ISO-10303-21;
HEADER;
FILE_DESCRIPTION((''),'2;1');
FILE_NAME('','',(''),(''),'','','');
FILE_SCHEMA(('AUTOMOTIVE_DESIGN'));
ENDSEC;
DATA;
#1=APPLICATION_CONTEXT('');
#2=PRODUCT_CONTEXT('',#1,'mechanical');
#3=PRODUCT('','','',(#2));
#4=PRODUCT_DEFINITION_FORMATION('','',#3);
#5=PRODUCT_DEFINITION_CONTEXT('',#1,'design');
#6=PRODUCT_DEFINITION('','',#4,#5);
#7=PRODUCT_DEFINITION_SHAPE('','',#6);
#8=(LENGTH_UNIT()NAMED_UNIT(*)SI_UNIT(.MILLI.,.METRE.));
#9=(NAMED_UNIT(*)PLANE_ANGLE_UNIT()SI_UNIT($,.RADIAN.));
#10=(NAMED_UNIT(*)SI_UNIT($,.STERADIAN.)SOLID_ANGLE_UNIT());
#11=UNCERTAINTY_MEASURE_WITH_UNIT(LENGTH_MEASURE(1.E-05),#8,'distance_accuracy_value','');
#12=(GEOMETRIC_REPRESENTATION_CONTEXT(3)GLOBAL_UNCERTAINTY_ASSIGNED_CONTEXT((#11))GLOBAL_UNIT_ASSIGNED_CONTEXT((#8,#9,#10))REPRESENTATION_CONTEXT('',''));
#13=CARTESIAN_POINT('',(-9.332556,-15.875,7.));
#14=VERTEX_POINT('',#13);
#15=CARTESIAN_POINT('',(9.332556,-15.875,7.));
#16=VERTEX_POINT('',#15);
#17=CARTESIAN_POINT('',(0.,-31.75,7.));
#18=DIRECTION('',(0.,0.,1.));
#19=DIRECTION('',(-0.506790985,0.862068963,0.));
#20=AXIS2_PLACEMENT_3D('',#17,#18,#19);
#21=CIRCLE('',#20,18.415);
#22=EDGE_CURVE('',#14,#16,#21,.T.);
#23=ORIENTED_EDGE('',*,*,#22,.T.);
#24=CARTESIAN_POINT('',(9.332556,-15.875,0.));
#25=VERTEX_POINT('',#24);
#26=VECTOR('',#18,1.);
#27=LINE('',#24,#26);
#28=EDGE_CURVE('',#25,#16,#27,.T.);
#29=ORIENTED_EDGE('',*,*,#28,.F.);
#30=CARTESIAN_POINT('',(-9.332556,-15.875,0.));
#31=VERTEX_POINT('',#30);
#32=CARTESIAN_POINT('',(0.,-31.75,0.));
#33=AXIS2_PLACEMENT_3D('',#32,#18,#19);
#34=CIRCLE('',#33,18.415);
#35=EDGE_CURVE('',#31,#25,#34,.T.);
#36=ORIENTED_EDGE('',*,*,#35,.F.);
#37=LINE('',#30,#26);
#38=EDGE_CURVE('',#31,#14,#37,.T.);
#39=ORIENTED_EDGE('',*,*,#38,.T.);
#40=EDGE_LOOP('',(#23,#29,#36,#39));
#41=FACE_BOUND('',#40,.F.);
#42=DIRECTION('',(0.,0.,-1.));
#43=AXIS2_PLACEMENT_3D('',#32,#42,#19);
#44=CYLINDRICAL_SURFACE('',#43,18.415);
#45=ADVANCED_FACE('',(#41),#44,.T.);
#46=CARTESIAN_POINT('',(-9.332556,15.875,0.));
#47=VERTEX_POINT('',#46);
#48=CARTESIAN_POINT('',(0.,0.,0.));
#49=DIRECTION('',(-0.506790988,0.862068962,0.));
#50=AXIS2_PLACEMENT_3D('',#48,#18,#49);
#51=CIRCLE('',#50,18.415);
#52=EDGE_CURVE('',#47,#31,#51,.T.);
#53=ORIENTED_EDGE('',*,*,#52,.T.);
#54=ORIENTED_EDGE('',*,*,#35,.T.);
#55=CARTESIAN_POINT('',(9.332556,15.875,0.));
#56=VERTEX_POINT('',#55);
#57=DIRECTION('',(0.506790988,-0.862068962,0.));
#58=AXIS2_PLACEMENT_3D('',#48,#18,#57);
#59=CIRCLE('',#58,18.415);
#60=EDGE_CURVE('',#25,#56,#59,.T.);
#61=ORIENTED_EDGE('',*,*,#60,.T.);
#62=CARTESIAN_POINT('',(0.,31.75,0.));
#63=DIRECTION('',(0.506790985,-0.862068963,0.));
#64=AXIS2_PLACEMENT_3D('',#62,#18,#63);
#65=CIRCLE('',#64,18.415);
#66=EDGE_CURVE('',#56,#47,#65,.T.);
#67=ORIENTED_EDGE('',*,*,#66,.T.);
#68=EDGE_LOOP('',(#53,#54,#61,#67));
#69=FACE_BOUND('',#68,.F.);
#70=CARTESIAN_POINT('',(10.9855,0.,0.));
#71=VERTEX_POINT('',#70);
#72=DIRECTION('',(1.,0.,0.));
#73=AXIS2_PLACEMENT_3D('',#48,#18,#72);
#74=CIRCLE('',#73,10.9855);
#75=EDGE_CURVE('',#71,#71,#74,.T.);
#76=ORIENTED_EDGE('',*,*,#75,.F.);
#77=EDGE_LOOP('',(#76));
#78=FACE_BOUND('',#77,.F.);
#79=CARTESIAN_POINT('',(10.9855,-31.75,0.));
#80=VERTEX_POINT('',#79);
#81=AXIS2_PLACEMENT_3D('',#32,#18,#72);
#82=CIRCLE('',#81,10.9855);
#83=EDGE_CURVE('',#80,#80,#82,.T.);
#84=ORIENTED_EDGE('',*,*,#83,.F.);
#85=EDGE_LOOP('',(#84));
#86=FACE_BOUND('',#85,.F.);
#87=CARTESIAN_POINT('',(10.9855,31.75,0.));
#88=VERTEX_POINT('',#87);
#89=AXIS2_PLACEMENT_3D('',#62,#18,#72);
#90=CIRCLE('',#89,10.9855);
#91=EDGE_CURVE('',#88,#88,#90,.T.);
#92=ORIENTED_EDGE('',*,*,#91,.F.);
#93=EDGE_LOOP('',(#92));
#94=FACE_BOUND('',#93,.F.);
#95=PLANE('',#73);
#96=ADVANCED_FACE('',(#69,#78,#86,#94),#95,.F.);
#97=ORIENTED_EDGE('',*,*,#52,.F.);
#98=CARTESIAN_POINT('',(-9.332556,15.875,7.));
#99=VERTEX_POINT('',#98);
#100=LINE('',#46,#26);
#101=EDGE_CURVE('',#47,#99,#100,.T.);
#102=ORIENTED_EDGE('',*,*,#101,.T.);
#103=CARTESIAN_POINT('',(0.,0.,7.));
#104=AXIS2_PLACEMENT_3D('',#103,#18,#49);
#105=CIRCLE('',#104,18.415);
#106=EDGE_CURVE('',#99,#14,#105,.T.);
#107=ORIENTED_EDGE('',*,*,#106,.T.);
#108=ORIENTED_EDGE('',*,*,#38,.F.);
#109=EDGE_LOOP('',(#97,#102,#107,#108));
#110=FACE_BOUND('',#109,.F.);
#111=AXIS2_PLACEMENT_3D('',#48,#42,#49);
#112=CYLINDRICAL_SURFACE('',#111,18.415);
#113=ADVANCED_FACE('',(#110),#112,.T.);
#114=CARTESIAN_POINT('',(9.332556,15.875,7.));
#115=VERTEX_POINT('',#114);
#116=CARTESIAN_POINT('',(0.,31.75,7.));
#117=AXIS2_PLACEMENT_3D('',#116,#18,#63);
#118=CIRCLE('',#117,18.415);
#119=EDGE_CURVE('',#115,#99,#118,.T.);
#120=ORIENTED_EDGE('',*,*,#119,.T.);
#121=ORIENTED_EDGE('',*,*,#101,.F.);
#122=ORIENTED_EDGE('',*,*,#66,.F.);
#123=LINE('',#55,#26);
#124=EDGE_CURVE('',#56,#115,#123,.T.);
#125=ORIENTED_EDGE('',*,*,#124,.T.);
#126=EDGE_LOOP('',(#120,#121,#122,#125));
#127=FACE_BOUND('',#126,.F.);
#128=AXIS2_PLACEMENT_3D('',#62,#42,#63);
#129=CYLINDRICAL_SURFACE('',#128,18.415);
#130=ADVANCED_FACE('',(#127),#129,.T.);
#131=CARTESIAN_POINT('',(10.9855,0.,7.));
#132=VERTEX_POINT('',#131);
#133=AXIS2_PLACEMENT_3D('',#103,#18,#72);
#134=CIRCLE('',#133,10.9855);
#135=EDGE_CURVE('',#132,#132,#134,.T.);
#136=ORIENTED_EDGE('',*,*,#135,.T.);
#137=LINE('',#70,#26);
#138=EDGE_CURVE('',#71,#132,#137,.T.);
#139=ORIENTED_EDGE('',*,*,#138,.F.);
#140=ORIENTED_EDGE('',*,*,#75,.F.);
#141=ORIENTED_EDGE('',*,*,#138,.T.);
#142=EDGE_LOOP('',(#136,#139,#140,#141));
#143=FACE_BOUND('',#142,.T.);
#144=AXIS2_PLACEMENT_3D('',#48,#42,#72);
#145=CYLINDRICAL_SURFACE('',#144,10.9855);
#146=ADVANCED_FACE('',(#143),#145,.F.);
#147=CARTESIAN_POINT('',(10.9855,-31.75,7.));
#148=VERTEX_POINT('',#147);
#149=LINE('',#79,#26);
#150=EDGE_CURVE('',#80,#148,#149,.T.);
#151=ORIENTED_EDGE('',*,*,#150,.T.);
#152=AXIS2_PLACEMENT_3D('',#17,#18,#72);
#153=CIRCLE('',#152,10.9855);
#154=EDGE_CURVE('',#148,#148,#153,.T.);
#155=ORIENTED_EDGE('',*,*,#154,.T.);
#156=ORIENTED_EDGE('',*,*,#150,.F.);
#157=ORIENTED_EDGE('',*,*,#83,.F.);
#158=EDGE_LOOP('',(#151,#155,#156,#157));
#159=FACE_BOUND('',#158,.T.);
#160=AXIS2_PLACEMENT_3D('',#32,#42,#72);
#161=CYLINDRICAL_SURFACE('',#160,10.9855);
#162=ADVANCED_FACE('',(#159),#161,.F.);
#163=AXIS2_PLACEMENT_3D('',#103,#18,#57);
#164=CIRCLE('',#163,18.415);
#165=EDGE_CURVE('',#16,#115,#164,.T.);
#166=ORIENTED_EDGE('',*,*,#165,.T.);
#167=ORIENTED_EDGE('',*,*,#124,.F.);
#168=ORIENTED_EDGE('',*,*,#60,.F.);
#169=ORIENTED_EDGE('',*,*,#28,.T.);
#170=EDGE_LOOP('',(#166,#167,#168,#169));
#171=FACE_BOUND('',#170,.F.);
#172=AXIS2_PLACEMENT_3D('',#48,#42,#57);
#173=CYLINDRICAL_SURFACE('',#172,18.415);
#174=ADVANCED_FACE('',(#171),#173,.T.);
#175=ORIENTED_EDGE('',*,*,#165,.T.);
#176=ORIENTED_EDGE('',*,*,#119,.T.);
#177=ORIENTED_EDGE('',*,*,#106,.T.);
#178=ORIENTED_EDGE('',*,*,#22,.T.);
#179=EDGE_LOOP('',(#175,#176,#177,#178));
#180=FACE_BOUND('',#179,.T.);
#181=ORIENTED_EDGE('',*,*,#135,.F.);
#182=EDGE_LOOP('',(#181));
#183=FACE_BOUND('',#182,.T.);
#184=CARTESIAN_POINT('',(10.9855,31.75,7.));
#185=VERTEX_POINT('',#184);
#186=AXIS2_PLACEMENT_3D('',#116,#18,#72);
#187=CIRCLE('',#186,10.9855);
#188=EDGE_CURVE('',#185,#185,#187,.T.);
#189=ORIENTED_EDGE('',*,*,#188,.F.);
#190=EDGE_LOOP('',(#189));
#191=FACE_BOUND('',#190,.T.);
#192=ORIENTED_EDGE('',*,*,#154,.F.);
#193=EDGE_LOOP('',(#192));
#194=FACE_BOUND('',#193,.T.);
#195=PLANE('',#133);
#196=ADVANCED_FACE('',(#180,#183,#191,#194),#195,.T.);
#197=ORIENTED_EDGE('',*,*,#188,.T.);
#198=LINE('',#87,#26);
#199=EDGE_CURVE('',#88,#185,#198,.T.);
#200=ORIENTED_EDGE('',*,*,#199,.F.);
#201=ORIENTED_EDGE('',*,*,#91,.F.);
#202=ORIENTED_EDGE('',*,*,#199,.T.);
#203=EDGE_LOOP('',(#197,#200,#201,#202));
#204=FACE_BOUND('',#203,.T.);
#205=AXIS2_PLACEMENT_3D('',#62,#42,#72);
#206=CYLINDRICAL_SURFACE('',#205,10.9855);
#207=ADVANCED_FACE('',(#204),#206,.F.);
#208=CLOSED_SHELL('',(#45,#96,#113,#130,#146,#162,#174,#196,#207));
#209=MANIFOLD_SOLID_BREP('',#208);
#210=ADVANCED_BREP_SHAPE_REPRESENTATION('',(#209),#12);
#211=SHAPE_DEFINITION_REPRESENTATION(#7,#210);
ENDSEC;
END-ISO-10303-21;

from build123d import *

# Parameters (mm, degrees)
F0_R     = 10.9855
F1_DEPTH = 7


with BuildPart() as f1:
    # F0 (on Top) → F1 (new body)
    with BuildSketch(Plane.XY):
        with BuildLine():
            ThreePointArc((9.332556, -15.875), (18.415, 0), (9.332556, 15.875))
            ThreePointArc((9.332556, 15.875), (0, 50.165), (-9.332556, 15.875))
            ThreePointArc((-9.332556, 15.875), (-18.415, 0), (-9.332556, -15.875))
            ThreePointArc((-9.332556, -15.875), (0, -50.165), (9.332556, -15.875))
        make_face()
        with Locations((0, -31.75)):
            Circle(F0_R, mode=Mode.SUBTRACT)
        Circle(F0_R, mode=Mode.SUBTRACT)
        with Locations((0, 31.75)):
            Circle(F0_R, mode=Mode.SUBTRACT)
    extrude(amount=F1_DEPTH)


solid = f1.part
